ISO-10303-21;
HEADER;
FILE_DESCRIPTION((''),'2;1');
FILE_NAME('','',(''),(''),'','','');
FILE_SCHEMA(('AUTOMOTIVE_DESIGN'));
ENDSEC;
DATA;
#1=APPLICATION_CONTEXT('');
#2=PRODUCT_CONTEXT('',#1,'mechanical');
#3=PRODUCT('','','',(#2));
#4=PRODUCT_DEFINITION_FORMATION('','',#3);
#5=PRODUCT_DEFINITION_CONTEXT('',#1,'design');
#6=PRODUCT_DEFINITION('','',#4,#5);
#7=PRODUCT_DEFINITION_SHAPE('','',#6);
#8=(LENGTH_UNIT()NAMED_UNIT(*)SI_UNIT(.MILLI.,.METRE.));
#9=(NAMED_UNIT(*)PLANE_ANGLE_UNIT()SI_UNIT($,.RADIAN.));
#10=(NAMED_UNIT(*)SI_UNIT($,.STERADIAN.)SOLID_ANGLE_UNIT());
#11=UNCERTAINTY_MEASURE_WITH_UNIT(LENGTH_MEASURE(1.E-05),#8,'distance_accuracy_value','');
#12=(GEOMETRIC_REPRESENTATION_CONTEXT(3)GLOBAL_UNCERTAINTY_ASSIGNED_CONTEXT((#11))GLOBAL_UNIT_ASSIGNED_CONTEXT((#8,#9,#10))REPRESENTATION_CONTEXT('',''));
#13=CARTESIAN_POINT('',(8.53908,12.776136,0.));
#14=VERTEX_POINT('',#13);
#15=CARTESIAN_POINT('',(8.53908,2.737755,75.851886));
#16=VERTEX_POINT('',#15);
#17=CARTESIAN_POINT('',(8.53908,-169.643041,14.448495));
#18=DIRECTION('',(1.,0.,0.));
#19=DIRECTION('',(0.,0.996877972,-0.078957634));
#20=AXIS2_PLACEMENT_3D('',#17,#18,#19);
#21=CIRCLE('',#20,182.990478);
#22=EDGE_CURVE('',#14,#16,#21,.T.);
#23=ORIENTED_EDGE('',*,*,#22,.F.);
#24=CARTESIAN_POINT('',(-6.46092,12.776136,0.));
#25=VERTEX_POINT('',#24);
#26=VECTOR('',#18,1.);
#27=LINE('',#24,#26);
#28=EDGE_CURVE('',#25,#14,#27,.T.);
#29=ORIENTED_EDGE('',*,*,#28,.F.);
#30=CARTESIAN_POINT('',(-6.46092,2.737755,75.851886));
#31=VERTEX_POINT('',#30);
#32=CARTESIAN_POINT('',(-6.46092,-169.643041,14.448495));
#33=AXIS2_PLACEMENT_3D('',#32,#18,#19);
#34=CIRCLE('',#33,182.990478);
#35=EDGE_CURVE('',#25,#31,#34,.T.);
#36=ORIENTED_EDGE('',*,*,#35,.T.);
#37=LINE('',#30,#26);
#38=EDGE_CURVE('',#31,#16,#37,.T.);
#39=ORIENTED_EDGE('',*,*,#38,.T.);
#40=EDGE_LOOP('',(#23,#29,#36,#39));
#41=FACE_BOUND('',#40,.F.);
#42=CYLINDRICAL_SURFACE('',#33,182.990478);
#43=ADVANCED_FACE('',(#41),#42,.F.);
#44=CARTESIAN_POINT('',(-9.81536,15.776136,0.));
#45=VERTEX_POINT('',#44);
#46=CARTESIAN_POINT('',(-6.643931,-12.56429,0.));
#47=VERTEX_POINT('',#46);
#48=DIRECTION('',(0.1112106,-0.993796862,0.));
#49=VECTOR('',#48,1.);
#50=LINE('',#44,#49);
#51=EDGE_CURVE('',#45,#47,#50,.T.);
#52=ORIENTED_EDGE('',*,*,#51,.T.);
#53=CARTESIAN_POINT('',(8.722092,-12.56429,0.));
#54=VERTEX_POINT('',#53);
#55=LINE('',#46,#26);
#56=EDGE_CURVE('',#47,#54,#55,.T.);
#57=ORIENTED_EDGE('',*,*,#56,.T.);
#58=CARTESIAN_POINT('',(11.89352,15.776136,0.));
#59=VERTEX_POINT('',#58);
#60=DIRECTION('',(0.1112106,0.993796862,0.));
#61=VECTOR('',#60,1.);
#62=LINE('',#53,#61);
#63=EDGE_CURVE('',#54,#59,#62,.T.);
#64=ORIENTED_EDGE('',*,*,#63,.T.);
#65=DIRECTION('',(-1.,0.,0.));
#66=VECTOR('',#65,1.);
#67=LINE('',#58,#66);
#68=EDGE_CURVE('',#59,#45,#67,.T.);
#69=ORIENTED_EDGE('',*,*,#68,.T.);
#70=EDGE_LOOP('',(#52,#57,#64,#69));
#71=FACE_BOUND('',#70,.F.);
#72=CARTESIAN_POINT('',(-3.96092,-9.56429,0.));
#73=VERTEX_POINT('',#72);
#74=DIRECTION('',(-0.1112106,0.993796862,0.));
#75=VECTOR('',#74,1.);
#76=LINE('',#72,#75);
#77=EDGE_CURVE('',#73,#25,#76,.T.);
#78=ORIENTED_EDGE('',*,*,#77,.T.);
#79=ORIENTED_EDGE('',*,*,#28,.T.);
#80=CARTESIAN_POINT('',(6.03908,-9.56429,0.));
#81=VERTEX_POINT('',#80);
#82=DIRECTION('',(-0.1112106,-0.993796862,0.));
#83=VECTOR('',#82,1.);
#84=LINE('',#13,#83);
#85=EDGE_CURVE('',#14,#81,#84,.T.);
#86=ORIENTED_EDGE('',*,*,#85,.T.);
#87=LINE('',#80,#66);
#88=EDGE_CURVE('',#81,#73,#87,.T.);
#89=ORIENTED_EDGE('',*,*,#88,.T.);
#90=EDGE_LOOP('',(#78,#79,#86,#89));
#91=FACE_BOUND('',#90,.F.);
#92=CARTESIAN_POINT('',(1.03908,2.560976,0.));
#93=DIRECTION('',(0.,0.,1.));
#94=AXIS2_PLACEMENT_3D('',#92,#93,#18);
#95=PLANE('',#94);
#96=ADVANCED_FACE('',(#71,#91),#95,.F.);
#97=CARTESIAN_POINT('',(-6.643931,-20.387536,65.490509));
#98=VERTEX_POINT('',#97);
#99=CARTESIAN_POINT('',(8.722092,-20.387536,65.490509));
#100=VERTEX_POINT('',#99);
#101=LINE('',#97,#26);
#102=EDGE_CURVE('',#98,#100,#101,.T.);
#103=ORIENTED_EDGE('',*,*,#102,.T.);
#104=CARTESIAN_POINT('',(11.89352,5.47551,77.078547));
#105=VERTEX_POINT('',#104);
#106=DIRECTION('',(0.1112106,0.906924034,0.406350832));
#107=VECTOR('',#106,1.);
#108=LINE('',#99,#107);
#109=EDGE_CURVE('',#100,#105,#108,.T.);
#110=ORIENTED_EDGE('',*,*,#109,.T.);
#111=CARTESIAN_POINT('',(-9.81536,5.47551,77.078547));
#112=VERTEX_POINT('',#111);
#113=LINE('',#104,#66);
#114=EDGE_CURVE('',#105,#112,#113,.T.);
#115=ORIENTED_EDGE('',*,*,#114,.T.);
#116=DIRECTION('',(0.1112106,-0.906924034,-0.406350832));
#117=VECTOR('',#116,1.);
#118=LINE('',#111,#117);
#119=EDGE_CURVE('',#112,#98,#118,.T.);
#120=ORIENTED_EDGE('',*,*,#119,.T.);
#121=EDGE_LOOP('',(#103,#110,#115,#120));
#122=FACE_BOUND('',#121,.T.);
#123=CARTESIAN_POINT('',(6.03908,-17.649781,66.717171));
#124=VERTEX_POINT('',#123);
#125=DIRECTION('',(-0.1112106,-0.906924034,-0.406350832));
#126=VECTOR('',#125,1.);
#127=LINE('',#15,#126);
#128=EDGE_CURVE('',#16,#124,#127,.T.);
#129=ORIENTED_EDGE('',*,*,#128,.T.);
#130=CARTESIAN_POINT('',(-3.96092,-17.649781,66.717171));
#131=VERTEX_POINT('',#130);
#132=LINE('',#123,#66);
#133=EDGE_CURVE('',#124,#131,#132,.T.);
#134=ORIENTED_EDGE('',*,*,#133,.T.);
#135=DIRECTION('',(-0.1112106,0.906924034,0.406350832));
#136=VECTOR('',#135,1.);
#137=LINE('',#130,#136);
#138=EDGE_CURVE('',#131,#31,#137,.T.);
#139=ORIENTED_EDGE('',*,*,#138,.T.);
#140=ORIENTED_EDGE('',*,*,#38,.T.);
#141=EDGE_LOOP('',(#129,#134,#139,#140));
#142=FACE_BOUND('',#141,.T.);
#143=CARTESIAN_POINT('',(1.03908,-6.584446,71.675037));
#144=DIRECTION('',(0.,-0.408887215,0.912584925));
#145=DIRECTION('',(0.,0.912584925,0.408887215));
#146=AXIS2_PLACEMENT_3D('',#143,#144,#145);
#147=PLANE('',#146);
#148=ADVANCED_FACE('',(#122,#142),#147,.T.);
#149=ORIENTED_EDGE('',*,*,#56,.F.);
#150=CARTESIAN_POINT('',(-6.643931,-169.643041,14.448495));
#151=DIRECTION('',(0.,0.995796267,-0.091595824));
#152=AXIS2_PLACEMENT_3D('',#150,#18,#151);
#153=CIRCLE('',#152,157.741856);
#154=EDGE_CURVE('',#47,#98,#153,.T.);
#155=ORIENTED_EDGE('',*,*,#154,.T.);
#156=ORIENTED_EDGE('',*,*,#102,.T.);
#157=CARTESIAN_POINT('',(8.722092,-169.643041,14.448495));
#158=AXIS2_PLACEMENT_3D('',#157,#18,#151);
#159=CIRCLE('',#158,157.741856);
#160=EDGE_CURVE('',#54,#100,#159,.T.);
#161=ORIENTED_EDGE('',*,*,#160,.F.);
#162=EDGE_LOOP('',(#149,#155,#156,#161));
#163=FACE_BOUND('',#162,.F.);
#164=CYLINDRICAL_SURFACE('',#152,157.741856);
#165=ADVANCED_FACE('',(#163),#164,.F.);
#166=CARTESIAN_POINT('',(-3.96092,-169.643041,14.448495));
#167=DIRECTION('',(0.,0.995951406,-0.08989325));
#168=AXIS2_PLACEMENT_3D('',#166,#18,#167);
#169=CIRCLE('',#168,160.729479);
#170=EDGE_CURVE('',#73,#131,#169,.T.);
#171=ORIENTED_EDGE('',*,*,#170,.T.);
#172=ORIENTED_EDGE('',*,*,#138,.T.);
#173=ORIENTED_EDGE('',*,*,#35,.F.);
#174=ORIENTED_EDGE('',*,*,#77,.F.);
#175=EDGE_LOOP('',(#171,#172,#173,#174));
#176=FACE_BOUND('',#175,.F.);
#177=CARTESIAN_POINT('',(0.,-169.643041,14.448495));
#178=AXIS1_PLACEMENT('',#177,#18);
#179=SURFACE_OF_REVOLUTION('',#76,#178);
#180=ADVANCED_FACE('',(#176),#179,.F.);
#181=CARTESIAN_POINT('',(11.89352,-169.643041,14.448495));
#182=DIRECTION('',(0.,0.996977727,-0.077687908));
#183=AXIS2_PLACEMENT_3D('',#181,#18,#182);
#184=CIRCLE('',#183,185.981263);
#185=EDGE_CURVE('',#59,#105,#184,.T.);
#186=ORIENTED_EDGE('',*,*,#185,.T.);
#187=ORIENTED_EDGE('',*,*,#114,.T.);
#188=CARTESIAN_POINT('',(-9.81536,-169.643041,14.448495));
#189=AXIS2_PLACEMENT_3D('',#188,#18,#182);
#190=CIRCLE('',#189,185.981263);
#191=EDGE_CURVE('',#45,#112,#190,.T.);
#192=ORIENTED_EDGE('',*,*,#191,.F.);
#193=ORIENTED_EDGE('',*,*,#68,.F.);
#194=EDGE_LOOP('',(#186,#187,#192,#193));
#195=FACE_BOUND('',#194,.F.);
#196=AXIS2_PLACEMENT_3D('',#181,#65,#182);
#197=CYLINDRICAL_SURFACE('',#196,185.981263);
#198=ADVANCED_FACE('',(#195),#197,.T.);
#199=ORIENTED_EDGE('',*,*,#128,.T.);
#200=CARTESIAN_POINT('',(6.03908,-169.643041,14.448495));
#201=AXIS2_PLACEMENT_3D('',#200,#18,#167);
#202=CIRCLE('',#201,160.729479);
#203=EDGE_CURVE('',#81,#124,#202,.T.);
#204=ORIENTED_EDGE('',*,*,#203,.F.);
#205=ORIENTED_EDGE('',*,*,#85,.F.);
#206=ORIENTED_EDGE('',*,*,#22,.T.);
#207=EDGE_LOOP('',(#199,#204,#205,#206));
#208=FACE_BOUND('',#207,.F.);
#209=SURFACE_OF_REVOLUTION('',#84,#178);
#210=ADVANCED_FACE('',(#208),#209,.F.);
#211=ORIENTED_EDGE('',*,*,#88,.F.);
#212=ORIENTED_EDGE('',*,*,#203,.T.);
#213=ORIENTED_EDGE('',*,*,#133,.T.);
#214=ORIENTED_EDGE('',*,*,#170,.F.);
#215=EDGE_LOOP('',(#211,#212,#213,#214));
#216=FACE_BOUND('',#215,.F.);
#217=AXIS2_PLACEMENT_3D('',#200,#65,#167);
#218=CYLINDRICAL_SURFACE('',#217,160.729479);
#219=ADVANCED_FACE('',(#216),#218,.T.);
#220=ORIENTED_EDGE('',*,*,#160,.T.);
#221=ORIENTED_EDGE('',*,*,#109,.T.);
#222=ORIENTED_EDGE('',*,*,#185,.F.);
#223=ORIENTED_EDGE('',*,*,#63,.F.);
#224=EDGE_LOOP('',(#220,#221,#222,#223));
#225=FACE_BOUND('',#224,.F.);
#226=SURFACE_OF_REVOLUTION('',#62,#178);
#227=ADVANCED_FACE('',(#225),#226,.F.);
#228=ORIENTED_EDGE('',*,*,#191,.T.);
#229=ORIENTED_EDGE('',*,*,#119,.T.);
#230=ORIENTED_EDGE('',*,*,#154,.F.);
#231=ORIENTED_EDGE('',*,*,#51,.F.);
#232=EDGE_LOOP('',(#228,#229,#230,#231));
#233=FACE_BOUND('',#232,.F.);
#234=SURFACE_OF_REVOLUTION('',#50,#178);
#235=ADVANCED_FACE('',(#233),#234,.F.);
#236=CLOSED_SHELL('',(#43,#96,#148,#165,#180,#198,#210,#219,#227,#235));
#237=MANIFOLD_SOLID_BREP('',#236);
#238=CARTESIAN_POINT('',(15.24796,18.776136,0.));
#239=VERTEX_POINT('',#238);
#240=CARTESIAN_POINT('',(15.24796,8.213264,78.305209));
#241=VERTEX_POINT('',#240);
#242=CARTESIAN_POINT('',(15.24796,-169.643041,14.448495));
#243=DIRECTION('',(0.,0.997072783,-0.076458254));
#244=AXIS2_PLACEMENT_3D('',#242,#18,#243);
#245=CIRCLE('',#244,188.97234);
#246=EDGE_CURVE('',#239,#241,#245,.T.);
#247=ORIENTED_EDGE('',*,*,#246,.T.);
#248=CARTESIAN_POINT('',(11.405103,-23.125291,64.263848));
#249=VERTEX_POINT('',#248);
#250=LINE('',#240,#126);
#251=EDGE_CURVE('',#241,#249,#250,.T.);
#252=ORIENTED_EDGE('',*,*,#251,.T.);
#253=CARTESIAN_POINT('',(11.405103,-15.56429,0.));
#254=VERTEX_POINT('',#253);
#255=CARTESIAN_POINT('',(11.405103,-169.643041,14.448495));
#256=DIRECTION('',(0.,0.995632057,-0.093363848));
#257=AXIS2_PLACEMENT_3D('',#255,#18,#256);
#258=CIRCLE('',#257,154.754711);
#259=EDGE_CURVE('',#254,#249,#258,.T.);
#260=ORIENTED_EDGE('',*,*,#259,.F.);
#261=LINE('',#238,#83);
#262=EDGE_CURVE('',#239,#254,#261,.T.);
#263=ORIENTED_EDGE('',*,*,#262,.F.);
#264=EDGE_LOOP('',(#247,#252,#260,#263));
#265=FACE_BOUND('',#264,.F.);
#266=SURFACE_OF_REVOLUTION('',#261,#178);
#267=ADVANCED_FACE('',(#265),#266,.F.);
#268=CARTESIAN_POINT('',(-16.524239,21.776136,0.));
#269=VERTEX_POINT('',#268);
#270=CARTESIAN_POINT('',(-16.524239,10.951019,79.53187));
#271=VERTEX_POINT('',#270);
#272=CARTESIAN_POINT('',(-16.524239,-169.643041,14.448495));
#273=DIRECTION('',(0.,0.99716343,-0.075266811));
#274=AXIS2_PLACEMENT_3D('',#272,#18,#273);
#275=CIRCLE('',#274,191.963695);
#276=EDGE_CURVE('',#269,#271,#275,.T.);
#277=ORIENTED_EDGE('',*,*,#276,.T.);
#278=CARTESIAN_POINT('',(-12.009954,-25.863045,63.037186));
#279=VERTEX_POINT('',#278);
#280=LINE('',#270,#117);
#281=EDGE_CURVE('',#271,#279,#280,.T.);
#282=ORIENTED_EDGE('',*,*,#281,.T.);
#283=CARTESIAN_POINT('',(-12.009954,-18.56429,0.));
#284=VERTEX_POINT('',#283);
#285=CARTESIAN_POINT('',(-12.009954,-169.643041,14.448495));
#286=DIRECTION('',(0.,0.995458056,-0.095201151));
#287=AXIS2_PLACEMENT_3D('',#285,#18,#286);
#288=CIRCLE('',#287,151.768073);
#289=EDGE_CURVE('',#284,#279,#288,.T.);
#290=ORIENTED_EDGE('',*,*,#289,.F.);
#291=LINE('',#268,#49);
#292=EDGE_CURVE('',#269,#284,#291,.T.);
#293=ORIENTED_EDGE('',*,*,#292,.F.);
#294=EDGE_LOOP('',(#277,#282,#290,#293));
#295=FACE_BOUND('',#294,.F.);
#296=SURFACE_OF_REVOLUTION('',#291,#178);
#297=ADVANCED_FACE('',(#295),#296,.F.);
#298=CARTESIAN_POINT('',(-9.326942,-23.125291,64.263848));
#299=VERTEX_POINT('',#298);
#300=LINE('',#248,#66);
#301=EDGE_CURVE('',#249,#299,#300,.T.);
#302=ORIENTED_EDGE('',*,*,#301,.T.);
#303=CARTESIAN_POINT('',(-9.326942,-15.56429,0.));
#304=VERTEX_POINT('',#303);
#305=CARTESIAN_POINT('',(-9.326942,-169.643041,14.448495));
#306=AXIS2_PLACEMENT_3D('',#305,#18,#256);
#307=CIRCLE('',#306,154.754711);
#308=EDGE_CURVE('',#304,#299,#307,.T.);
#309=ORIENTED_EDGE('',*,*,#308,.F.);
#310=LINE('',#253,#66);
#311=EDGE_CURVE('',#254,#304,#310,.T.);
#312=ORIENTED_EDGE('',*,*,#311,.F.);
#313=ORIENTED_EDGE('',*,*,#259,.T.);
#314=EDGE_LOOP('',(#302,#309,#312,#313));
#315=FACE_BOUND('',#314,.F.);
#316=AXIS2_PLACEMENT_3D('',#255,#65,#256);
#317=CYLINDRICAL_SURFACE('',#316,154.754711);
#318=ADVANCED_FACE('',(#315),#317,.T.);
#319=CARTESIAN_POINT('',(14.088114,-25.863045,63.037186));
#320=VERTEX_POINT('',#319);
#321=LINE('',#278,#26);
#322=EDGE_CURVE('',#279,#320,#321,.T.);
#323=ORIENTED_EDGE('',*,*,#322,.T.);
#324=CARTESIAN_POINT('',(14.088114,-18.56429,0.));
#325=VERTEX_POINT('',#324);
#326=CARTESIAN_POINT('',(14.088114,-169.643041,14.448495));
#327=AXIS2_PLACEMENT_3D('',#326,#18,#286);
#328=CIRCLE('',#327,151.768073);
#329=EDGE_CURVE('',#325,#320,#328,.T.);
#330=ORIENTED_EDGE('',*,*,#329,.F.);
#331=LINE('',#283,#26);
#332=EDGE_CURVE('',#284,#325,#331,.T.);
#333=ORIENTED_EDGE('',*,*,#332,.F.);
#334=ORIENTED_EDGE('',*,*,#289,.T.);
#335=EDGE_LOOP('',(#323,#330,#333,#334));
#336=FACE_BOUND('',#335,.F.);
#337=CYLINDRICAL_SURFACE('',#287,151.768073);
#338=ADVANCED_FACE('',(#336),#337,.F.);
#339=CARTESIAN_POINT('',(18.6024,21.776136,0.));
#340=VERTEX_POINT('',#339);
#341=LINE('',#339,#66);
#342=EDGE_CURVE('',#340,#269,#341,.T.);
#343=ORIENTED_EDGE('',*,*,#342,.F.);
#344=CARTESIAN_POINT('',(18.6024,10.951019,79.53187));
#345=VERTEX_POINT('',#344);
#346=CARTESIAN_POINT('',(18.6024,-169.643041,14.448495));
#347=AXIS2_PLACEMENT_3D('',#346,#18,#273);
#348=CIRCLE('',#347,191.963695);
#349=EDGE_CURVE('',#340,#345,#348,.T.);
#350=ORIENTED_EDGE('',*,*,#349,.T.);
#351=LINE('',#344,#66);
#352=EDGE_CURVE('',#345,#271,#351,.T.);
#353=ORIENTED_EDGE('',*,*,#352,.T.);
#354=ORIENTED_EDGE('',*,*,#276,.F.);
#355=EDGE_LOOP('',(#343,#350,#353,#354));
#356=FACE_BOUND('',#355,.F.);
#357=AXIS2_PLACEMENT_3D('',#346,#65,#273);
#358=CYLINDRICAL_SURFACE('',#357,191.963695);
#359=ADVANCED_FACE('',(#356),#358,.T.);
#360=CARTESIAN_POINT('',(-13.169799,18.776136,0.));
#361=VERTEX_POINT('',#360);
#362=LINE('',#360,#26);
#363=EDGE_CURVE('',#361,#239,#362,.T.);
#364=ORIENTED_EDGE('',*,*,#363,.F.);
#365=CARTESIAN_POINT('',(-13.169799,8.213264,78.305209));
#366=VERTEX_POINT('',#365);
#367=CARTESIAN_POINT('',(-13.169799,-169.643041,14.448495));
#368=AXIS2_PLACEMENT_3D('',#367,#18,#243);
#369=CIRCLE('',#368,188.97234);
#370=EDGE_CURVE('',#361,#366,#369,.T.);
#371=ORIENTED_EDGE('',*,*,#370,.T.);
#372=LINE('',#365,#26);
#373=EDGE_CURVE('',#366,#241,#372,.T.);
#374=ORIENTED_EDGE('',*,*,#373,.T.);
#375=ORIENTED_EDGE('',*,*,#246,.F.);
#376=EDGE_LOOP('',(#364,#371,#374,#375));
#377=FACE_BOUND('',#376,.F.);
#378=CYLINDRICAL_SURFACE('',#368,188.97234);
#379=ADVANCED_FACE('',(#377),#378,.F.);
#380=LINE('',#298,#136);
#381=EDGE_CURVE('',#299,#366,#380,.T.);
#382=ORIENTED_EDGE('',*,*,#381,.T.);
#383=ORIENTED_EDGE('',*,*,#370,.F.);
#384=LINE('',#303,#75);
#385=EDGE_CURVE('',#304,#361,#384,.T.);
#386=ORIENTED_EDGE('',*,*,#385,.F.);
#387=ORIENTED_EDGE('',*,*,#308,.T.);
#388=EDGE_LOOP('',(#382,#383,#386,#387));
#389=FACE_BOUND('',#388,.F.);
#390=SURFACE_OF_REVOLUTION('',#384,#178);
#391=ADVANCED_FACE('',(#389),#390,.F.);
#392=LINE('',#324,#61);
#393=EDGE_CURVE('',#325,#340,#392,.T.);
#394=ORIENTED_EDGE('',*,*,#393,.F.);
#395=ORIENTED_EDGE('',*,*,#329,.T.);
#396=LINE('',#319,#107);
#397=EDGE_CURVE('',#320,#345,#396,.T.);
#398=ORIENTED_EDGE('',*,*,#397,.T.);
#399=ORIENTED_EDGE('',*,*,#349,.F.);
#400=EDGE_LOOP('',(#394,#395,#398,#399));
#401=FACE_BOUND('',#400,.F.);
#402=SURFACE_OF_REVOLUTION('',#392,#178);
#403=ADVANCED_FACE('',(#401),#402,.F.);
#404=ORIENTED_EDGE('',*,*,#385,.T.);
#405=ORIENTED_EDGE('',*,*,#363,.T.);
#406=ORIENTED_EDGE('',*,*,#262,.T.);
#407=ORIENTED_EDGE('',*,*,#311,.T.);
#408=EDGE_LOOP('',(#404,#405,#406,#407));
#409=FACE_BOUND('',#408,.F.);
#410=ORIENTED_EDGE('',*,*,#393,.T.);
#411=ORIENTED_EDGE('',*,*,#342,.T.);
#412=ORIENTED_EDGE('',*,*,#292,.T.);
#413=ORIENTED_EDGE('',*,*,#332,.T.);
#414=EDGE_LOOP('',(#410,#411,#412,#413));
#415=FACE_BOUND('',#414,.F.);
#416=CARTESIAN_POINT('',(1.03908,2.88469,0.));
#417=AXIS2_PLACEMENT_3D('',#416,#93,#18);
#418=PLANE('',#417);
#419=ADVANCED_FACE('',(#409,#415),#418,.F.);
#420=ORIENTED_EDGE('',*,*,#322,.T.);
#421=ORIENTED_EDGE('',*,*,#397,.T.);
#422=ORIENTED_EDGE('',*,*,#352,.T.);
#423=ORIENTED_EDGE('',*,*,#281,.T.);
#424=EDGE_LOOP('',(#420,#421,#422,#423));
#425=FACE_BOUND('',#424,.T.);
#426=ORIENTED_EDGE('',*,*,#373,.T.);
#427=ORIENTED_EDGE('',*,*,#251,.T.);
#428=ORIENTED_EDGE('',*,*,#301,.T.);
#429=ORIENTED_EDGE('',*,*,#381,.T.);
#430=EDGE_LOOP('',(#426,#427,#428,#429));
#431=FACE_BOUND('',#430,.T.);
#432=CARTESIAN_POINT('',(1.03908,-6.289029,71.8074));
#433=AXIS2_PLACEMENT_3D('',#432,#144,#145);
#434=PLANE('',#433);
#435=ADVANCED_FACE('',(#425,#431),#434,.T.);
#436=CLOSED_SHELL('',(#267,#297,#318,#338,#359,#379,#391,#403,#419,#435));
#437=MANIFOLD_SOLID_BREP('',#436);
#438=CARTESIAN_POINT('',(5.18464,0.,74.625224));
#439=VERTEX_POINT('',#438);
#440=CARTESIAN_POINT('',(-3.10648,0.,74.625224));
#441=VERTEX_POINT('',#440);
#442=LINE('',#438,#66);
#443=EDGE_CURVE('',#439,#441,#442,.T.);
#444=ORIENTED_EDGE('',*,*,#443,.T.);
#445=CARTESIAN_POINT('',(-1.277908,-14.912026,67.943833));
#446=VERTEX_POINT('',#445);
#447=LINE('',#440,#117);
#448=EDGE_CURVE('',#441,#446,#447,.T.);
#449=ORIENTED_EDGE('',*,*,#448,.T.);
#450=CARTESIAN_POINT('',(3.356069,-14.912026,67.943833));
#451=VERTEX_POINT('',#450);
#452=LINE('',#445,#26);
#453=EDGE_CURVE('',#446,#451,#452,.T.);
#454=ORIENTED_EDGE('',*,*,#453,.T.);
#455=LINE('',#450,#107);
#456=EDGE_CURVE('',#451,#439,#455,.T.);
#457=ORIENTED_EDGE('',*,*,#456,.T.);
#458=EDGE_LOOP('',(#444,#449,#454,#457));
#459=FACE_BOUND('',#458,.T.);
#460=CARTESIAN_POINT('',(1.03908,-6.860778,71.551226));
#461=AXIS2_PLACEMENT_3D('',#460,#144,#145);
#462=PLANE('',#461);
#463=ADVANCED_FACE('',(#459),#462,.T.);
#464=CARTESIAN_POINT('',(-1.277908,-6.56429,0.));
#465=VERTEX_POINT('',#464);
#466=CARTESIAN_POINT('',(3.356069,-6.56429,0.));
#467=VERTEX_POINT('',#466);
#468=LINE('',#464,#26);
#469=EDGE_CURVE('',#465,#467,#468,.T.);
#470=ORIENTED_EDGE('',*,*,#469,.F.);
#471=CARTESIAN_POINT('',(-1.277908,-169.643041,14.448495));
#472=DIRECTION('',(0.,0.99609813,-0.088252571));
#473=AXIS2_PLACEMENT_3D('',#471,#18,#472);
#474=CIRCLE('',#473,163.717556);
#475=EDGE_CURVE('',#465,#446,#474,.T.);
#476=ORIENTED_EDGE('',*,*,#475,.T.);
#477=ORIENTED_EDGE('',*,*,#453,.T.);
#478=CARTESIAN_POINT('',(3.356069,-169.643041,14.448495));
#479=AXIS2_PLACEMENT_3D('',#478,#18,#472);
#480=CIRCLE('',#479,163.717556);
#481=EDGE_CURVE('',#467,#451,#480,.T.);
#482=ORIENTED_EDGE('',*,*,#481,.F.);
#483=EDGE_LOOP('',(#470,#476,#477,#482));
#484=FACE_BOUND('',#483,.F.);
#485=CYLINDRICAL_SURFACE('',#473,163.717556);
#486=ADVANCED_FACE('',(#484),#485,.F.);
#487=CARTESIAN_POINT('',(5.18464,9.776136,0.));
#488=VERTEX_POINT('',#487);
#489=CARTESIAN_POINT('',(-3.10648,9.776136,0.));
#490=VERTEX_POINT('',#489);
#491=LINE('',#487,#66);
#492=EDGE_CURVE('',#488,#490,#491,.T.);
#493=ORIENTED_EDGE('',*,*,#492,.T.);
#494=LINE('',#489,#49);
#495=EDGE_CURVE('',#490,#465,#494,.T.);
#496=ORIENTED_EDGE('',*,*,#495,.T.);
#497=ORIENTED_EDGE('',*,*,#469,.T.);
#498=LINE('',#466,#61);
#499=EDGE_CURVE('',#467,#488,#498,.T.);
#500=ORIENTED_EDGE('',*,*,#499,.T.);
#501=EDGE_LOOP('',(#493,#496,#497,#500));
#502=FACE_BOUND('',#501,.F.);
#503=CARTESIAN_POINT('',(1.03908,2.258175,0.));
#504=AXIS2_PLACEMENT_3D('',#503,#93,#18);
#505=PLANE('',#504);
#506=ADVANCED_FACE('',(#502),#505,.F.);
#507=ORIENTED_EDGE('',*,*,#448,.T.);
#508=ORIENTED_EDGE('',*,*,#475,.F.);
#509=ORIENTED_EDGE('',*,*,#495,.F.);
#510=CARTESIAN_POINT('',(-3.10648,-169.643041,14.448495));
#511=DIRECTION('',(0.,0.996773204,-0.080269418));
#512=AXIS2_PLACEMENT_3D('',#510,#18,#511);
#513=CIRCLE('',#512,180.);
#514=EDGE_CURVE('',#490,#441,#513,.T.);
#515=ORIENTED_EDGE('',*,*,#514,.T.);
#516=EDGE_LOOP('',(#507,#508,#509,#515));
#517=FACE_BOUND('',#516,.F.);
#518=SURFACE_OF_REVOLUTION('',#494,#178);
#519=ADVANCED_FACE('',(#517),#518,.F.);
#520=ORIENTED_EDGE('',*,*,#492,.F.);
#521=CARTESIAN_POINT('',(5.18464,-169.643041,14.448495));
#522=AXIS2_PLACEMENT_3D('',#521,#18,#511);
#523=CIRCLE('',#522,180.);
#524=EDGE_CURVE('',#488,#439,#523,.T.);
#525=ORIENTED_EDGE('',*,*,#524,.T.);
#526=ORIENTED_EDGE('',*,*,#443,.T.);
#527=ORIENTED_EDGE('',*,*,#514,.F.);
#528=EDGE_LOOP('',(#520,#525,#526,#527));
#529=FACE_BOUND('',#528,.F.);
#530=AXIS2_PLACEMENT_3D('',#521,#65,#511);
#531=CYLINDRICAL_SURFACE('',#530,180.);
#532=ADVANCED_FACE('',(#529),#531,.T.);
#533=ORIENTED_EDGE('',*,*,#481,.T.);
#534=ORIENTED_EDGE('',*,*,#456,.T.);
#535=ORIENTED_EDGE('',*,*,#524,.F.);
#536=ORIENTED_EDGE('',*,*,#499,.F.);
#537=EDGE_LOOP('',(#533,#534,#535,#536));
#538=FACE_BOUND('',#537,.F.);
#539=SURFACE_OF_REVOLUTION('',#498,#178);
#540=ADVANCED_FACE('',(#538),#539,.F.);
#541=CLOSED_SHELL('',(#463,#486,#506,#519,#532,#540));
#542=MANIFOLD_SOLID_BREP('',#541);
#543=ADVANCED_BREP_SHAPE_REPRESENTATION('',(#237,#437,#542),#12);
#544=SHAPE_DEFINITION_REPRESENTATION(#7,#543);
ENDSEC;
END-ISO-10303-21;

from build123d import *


with BuildPart() as f2:
    # F2: sweep along a path in F1
    with BuildLine(Plane.YZ) as f2_path:
        ThreePointArc((9.7761358373, 0), (8.8319964441, 37.8292788096), (0, 74.625223875))
    # F0 (on Top) → F2 (sweep)
    with BuildSketch(Plane.XY):
        Polygon((14.0881141583, -18.5642899235), (18.6023998519, 21.7761358373), (-16.524239274, 21.7761358373), (-12.0099535803, -18.5642899235), align=None)
        Polygon((-13.1697994197, 18.7761358373), (15.2479599976, 18.7761358373), (11.4051028685, -15.5642899235), (-9.3269422906, -15.5642899235), align=None, mode=Mode.SUBTRACT)
        Polygon((8.7220915787, -12.5642899235), (11.8935201433, 15.7761358373), (-9.8153595654, 15.7761358373), (-6.6439310008, -12.5642899235), align=None)
        Polygon((-3.960919711, -9.5642899235), (-6.460919711, 12.7761358373), (8.539080289, 12.7761358373), (6.039080289, -9.5642899235), align=None, mode=Mode.SUBTRACT)
        Polygon((3.3560689992, -6.5642899235), (5.1846404346, 9.7761358373), (-3.1064798567, 9.7761358373), (-1.2779084213, -6.5642899235), align=None)
    sweep(path=f2_path.line)


solid = f2.part
